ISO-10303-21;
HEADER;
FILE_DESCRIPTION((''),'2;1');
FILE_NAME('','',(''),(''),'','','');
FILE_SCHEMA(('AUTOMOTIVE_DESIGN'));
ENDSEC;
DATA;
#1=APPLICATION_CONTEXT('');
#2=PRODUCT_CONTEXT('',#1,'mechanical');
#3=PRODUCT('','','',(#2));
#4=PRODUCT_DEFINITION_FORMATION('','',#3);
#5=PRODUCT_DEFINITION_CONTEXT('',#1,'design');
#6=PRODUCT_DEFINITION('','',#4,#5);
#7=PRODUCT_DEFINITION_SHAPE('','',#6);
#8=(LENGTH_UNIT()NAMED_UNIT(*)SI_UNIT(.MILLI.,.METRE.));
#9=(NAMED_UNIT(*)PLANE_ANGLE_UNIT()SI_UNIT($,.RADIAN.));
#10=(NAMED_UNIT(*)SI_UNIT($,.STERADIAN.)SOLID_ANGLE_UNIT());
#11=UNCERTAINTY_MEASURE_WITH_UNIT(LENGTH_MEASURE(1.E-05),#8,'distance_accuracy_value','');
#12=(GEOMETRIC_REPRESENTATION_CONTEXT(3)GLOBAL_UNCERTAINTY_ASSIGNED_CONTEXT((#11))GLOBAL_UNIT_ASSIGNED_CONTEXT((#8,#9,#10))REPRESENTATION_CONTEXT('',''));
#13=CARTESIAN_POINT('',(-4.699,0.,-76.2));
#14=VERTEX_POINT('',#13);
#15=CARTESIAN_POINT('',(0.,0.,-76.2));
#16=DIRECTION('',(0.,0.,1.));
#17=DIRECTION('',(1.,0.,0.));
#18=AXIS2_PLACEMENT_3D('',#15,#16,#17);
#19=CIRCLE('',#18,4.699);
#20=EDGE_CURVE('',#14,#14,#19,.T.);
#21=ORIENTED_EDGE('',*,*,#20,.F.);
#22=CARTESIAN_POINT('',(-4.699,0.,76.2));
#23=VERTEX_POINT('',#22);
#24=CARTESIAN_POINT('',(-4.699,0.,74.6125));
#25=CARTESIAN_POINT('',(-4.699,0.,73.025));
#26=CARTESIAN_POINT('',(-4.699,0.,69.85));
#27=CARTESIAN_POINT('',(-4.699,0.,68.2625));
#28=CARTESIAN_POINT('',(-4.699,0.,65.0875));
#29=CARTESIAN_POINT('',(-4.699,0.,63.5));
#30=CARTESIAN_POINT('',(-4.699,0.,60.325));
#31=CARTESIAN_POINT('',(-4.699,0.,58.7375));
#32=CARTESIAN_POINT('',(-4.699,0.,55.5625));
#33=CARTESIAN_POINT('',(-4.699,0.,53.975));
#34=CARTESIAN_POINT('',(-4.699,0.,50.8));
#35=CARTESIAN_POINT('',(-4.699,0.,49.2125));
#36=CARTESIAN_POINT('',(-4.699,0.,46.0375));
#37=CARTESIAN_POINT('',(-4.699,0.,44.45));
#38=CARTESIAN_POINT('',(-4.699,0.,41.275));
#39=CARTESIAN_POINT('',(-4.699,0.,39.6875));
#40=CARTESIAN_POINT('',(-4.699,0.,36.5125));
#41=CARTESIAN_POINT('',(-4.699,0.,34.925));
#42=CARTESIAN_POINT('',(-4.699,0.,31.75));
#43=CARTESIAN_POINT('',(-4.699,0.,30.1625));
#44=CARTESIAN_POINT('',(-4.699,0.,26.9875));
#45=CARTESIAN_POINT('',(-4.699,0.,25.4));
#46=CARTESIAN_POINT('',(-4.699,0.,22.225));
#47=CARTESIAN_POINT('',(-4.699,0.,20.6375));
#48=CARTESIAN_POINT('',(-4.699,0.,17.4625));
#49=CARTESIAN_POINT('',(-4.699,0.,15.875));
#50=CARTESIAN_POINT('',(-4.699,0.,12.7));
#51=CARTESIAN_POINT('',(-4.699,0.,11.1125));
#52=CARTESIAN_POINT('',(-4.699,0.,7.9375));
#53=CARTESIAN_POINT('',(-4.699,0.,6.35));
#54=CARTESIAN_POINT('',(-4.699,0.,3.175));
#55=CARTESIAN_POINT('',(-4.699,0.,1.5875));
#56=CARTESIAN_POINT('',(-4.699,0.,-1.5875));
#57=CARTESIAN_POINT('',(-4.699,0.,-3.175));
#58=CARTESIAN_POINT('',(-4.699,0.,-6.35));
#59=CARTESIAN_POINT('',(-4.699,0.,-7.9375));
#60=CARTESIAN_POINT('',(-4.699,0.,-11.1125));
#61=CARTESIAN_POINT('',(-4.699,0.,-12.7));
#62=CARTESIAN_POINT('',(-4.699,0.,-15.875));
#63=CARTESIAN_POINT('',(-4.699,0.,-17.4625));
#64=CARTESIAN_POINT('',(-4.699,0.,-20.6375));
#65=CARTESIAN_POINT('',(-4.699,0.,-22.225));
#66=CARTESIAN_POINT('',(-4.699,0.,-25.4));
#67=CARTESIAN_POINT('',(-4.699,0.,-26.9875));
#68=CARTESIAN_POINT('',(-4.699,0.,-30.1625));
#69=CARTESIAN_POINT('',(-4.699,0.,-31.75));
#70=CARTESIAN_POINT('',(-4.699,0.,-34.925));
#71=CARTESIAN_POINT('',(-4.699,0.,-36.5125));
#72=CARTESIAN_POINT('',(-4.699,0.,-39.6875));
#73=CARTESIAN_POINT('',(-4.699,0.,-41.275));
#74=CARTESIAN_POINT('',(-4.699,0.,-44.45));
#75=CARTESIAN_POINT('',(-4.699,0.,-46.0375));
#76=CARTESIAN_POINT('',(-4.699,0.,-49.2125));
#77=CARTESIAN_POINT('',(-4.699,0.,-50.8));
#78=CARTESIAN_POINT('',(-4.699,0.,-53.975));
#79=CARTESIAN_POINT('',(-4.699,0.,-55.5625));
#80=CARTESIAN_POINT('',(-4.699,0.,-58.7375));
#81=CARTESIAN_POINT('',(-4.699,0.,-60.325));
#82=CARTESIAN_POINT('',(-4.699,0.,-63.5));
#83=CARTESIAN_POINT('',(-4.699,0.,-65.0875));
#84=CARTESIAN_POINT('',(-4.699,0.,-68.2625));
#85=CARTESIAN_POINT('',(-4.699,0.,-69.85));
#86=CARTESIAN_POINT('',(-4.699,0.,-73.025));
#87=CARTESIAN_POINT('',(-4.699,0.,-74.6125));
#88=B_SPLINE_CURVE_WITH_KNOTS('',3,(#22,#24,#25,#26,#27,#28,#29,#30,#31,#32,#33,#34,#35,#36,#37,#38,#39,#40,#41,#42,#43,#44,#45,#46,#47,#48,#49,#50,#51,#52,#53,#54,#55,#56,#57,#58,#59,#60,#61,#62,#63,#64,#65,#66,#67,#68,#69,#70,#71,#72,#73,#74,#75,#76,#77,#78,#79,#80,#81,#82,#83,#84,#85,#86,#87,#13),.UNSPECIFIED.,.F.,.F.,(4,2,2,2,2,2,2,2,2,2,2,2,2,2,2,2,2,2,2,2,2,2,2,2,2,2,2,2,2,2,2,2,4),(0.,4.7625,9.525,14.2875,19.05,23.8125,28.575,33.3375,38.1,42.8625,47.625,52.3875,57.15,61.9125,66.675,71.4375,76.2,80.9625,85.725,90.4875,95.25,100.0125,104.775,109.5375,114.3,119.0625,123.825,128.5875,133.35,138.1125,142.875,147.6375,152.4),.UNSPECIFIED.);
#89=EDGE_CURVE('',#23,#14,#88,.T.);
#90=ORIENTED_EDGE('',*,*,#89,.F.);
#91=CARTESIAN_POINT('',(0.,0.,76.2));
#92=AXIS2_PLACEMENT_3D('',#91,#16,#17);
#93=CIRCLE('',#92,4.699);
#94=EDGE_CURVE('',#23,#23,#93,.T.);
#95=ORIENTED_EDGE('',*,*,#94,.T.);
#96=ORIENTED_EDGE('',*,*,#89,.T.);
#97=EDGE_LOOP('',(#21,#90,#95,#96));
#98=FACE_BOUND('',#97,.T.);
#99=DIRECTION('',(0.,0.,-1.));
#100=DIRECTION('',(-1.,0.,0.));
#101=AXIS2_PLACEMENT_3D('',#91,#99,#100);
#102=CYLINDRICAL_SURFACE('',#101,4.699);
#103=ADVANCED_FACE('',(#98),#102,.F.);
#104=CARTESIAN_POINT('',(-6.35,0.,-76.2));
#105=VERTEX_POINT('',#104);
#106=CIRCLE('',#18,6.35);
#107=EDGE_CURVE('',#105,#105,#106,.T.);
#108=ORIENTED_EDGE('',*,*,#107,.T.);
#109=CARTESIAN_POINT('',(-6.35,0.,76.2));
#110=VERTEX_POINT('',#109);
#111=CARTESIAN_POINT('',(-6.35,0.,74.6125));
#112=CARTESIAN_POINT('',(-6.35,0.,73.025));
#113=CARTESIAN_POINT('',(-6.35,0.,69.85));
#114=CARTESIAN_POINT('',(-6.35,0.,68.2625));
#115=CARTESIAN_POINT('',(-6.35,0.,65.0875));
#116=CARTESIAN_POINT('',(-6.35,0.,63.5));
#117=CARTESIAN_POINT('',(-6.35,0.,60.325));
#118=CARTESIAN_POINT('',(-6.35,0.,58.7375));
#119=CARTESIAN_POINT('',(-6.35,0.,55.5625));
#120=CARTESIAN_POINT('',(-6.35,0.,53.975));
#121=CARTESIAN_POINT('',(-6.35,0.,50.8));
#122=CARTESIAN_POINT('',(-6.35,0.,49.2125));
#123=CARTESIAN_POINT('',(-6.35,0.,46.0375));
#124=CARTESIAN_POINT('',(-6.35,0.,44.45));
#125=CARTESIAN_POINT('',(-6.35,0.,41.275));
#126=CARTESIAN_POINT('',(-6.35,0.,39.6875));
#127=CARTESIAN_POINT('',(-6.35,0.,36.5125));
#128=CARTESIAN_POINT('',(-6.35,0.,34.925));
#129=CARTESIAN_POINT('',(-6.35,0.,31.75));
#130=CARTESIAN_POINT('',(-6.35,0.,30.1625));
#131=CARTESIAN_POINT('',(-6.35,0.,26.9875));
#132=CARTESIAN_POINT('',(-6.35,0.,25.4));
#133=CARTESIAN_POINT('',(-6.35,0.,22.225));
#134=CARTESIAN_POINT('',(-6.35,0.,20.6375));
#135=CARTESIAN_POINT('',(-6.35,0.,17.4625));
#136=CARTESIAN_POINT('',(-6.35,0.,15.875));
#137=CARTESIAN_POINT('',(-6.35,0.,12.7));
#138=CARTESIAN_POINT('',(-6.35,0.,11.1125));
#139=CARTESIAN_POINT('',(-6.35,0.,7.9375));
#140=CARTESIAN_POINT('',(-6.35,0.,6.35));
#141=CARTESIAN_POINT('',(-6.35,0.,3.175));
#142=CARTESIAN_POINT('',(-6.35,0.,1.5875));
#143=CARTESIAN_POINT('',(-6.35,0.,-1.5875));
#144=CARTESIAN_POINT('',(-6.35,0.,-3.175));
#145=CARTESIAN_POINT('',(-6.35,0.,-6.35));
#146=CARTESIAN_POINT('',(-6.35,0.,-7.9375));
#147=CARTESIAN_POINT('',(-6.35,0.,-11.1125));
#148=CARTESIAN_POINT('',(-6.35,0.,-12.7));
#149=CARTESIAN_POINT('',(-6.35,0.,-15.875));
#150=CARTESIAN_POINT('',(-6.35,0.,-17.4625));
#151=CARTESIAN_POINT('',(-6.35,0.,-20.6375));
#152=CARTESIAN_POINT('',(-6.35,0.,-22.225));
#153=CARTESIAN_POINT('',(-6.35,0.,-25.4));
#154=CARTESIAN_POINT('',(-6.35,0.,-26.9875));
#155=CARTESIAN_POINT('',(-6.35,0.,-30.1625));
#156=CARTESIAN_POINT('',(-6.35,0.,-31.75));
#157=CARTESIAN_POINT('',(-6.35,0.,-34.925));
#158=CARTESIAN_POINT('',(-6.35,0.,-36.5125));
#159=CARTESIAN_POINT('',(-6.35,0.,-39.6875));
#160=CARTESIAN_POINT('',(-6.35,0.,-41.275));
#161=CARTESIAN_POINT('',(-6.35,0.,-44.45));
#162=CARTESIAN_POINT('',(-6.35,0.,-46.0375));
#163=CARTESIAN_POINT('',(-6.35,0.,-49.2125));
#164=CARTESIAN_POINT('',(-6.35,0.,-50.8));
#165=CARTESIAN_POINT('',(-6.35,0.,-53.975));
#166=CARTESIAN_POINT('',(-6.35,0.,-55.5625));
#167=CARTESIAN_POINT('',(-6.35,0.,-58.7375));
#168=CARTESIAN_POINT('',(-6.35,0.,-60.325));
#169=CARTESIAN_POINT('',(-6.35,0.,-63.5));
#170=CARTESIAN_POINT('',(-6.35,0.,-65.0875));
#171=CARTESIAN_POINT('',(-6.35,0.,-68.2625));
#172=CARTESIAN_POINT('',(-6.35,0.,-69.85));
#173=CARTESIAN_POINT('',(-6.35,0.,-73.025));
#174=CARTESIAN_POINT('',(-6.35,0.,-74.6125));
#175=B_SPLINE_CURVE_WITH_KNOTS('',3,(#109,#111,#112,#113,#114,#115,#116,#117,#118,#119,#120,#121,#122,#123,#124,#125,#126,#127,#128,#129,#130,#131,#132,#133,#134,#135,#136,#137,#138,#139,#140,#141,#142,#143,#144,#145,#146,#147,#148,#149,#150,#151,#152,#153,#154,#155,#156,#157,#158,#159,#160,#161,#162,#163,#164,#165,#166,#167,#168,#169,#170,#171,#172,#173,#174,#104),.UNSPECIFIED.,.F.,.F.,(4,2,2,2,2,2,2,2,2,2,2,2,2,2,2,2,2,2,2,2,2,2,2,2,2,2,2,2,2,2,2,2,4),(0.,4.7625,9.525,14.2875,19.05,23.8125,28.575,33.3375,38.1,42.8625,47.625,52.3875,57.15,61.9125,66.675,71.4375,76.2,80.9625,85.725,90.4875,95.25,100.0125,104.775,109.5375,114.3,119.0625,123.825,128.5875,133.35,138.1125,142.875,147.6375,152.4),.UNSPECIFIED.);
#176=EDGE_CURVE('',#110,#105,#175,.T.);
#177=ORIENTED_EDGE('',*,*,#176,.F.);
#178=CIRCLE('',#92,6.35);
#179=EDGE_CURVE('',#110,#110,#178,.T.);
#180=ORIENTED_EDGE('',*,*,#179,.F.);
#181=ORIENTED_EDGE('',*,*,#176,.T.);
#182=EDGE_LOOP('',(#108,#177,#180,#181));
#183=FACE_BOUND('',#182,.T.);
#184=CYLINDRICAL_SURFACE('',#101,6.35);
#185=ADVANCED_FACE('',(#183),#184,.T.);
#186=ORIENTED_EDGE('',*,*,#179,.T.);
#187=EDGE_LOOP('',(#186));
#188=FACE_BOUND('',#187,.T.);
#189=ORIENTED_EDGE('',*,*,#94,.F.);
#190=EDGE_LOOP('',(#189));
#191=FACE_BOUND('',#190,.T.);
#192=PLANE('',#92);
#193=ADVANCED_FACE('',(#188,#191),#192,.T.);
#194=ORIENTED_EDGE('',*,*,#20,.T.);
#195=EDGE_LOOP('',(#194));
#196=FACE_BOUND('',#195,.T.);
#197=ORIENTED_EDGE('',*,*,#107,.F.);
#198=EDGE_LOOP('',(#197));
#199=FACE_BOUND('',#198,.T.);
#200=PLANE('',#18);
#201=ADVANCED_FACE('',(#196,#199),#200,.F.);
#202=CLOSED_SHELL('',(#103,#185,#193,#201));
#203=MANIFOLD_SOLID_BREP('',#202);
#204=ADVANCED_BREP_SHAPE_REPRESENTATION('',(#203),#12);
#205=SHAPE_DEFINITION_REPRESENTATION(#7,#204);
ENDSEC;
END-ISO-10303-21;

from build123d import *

# Parameters (mm, degrees)
SKETCH3_R           = 6.35
SKETCH3_R_2         = 4.699
BOSS_EXTRUDE1_DEPTH = 76.2


with BuildPart() as part:
    # Sketch3 → Boss-Extrude1 (new, symmetric)
    with BuildSketch(Plane.XY):
        with Locations(Location((0, 0, 0), (0, 0, 180))):
            Circle(SKETCH3_R)
        with Locations(Location((0, 0, 0), (0, 0, 180))):
            Circle(SKETCH3_R_2, mode=Mode.SUBTRACT)
    extrude(amount=BOSS_EXTRUDE1_DEPTH, both=True)


solid = part.part
